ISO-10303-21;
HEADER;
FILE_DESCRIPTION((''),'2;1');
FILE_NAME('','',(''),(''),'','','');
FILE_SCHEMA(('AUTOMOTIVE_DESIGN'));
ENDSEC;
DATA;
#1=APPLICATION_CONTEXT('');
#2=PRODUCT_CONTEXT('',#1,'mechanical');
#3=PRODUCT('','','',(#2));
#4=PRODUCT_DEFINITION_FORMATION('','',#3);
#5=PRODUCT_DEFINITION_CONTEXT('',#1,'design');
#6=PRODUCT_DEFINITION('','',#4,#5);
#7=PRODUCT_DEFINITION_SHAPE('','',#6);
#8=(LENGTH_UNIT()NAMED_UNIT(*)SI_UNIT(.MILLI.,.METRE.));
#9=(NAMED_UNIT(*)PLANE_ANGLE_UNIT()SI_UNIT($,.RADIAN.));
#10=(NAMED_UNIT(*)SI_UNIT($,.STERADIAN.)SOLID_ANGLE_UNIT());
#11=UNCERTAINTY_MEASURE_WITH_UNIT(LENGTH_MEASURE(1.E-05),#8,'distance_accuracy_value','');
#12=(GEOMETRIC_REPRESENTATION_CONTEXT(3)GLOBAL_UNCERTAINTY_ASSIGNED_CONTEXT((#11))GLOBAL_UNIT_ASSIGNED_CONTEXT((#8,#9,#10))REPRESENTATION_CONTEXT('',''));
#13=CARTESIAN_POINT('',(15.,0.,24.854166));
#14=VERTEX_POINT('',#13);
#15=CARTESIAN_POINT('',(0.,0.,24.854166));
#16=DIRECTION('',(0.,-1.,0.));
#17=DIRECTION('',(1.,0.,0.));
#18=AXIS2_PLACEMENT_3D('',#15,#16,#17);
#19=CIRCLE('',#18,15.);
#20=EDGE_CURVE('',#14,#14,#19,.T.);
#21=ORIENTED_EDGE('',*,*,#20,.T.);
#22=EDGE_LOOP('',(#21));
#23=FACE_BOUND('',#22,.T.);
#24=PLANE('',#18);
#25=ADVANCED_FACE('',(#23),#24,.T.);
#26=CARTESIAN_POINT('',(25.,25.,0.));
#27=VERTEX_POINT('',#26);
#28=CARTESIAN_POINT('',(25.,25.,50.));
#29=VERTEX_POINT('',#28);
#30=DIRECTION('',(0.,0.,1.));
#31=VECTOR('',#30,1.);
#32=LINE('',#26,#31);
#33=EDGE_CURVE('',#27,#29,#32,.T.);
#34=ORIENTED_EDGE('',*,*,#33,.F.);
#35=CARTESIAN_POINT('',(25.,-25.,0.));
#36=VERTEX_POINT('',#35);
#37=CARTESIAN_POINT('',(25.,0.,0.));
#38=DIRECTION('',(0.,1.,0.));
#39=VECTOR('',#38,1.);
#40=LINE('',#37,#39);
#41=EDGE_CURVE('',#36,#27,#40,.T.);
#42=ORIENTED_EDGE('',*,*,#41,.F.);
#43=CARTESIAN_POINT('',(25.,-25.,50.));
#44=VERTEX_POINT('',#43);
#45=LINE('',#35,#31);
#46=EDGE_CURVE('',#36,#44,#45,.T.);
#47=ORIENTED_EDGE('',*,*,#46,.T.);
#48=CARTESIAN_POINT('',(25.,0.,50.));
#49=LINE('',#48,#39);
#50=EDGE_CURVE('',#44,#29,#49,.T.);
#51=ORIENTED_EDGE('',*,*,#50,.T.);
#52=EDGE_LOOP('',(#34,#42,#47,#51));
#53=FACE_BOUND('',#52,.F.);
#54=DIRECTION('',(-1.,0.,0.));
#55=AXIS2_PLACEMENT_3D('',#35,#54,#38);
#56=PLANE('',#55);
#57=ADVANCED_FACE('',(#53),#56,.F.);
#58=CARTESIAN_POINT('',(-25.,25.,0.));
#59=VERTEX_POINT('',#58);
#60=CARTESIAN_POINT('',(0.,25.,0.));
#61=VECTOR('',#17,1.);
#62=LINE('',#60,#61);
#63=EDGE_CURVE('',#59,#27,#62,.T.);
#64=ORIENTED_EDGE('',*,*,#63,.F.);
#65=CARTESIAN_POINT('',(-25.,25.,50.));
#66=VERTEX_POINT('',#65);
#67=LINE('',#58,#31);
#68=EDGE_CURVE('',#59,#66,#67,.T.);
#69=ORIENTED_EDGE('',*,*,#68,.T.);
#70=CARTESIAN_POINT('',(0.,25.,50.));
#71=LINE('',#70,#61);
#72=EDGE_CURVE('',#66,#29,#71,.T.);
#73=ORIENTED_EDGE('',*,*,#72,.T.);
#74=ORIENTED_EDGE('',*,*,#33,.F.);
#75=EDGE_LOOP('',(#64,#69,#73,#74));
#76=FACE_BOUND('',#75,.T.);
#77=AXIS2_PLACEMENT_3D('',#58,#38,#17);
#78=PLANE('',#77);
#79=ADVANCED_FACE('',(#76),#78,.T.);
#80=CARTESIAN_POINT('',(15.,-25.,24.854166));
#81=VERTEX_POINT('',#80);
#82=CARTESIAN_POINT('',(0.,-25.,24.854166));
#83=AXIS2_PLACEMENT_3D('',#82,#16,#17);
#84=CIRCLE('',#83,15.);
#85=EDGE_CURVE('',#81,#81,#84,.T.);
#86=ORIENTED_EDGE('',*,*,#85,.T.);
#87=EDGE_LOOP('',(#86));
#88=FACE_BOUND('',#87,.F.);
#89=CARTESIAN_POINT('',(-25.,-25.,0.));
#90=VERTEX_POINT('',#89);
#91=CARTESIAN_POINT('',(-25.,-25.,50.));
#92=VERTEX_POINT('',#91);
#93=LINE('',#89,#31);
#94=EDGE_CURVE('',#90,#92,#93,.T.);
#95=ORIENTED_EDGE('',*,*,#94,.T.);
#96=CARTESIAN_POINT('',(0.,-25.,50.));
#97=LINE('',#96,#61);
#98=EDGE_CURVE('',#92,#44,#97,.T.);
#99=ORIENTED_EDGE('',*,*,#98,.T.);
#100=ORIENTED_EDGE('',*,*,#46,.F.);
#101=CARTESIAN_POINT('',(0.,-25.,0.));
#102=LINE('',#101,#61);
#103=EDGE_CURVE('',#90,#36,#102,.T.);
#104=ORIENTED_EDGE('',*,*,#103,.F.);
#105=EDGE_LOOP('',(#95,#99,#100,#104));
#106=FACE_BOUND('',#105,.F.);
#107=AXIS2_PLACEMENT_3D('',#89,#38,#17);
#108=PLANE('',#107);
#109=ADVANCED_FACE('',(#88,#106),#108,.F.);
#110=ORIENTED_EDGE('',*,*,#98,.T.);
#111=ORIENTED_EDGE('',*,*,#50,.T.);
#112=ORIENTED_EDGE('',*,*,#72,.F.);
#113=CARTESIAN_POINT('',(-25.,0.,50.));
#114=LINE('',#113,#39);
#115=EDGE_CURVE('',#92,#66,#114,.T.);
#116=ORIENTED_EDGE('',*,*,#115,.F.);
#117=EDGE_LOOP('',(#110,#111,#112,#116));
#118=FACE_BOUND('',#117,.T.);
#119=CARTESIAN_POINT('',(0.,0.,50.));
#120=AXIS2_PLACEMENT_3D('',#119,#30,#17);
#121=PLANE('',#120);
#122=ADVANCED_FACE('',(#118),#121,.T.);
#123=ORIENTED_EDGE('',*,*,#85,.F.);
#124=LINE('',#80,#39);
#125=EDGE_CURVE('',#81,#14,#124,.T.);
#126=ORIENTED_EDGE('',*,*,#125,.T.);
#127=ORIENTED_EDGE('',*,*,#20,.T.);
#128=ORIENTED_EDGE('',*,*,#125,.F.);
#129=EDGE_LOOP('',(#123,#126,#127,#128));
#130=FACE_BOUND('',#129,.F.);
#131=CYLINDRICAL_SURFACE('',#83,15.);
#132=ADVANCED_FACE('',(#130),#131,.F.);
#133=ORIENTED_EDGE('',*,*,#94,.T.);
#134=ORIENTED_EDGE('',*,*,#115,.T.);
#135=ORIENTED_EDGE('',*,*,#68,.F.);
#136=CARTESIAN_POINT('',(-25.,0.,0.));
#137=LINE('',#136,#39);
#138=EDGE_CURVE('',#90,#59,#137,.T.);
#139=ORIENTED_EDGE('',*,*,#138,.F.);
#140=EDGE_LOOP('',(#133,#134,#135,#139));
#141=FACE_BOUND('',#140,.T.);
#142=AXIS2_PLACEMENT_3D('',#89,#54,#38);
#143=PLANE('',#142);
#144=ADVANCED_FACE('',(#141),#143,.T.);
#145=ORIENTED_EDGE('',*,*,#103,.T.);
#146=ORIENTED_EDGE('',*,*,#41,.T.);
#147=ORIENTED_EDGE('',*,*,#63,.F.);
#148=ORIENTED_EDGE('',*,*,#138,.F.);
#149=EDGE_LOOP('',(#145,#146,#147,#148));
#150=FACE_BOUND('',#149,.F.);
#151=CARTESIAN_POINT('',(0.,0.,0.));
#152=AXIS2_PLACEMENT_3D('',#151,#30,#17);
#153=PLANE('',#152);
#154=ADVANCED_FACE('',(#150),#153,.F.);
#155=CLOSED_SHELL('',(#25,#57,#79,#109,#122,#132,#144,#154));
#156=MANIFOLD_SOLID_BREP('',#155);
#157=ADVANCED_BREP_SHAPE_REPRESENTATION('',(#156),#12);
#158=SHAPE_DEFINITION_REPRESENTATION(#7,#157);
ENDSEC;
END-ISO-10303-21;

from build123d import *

# Parameters (mm, degrees)
F0_W     = 50
F0_H     = 50
F1_DEPTH = 50
F2_R     = 15
F3_DEPTH = 25


with BuildPart() as f1:
    # F0 (on Top) → F1 (new body)
    with BuildSketch(Plane.XY):
        Rectangle(F0_W, F0_H)
    extrude(amount=F1_DEPTH)

    # F2 (on face) → F3 (cut)
    with BuildSketch(Plane.XZ.offset(25)):
        with Locations((0, 24.854166)):
            Circle(F2_R)
    extrude(amount=-F3_DEPTH, mode=Mode.SUBTRACT)


solid = f1.part
